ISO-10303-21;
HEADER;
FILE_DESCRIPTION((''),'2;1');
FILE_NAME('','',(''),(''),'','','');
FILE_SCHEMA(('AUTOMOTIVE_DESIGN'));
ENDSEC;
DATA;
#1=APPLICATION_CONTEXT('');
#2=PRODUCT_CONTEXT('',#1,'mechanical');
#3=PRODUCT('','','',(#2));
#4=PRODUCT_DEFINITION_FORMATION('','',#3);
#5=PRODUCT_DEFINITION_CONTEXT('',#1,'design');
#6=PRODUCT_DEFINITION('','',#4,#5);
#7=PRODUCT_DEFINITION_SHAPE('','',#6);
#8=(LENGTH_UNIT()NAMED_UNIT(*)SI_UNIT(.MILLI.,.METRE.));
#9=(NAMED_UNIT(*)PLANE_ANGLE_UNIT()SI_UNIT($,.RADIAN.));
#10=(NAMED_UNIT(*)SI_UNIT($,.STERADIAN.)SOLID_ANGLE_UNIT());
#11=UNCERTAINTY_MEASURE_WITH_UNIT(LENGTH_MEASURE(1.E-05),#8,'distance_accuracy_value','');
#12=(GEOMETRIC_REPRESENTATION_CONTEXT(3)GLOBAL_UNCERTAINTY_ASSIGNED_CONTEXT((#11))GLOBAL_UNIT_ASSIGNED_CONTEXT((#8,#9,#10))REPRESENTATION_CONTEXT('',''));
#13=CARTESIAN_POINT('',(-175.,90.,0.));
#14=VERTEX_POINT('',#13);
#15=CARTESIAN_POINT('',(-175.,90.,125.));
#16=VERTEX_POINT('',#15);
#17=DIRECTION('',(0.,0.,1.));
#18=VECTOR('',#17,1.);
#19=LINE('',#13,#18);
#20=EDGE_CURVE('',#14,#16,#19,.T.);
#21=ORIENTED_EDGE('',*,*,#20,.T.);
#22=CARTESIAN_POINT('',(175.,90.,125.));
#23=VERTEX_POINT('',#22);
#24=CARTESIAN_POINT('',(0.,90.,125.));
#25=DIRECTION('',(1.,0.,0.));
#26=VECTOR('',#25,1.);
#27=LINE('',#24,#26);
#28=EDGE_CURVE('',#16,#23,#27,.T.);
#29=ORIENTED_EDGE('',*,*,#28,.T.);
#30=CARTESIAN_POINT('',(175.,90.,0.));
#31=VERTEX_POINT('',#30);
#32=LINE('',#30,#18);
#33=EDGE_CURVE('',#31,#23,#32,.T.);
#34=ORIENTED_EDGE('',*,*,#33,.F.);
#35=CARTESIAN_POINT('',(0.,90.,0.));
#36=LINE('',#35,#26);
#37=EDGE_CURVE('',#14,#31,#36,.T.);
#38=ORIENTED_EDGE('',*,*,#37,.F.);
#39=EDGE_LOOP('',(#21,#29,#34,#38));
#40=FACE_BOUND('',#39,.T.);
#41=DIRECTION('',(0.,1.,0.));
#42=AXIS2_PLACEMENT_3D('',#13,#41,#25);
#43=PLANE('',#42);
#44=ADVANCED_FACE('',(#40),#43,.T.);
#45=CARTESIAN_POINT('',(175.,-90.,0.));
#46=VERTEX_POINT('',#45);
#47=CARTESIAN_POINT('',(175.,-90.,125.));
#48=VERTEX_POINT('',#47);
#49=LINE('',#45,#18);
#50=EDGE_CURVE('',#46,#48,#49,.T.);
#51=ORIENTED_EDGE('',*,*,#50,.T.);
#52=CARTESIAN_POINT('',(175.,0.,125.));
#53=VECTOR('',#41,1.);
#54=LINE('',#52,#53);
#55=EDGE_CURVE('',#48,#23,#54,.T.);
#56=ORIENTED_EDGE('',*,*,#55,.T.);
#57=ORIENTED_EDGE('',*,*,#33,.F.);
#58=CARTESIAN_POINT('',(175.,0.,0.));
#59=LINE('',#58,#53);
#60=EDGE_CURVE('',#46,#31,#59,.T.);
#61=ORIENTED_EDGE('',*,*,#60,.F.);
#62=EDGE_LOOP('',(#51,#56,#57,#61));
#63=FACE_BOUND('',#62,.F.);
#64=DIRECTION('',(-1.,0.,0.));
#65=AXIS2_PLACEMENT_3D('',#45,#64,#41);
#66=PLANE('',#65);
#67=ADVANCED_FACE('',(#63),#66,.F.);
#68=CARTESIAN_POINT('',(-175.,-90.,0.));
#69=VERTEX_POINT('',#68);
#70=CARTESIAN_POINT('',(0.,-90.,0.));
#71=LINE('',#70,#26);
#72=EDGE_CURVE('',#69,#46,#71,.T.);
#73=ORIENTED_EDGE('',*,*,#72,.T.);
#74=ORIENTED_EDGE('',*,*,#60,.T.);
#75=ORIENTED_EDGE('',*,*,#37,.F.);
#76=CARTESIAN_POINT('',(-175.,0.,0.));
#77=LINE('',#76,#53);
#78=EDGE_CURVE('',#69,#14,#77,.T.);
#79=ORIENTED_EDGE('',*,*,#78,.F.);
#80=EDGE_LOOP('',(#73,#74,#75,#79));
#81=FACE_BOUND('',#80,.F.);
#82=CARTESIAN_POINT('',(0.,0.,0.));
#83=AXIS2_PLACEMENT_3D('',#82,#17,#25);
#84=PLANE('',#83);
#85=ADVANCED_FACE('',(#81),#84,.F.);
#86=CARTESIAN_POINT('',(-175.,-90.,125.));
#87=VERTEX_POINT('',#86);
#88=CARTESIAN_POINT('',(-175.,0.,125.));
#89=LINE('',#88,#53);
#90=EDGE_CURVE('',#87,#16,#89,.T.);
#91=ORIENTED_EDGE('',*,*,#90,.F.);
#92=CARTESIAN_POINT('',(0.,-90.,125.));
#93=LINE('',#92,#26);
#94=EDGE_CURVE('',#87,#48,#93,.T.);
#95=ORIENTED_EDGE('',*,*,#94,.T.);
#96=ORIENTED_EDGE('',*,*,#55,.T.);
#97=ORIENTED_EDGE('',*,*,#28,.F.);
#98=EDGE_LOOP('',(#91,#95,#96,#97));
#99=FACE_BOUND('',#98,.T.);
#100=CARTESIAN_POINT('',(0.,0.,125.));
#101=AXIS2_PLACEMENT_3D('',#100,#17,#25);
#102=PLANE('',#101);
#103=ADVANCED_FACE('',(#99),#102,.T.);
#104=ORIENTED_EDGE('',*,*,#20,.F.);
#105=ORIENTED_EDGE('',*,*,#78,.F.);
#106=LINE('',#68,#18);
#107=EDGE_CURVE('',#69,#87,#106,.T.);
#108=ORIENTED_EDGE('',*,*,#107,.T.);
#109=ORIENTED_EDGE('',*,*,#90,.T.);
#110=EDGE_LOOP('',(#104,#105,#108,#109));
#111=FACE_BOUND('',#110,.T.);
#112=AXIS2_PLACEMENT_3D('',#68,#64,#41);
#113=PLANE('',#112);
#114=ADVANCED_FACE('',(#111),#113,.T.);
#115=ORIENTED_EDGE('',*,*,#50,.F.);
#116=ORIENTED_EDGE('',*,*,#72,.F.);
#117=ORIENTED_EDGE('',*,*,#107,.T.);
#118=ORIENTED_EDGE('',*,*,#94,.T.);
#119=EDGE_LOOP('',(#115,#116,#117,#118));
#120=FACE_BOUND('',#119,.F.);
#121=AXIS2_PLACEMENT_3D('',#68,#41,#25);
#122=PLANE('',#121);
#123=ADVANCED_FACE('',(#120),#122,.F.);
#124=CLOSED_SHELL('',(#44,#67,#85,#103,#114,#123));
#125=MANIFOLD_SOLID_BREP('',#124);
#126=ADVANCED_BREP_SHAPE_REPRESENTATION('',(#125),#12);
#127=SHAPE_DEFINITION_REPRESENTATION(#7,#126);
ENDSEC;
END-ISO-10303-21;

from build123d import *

# Parameters (mm, degrees)
SKETCH_W  = 350
SKETCH_H  = 180
PAD_DEPTH = 125


with BuildPart() as part:
    # Sketch → Pad (new body)
    with BuildSketch(Plane.XY):
        Rectangle(SKETCH_W, SKETCH_H)
    extrude(amount=PAD_DEPTH)


solid = part.part
